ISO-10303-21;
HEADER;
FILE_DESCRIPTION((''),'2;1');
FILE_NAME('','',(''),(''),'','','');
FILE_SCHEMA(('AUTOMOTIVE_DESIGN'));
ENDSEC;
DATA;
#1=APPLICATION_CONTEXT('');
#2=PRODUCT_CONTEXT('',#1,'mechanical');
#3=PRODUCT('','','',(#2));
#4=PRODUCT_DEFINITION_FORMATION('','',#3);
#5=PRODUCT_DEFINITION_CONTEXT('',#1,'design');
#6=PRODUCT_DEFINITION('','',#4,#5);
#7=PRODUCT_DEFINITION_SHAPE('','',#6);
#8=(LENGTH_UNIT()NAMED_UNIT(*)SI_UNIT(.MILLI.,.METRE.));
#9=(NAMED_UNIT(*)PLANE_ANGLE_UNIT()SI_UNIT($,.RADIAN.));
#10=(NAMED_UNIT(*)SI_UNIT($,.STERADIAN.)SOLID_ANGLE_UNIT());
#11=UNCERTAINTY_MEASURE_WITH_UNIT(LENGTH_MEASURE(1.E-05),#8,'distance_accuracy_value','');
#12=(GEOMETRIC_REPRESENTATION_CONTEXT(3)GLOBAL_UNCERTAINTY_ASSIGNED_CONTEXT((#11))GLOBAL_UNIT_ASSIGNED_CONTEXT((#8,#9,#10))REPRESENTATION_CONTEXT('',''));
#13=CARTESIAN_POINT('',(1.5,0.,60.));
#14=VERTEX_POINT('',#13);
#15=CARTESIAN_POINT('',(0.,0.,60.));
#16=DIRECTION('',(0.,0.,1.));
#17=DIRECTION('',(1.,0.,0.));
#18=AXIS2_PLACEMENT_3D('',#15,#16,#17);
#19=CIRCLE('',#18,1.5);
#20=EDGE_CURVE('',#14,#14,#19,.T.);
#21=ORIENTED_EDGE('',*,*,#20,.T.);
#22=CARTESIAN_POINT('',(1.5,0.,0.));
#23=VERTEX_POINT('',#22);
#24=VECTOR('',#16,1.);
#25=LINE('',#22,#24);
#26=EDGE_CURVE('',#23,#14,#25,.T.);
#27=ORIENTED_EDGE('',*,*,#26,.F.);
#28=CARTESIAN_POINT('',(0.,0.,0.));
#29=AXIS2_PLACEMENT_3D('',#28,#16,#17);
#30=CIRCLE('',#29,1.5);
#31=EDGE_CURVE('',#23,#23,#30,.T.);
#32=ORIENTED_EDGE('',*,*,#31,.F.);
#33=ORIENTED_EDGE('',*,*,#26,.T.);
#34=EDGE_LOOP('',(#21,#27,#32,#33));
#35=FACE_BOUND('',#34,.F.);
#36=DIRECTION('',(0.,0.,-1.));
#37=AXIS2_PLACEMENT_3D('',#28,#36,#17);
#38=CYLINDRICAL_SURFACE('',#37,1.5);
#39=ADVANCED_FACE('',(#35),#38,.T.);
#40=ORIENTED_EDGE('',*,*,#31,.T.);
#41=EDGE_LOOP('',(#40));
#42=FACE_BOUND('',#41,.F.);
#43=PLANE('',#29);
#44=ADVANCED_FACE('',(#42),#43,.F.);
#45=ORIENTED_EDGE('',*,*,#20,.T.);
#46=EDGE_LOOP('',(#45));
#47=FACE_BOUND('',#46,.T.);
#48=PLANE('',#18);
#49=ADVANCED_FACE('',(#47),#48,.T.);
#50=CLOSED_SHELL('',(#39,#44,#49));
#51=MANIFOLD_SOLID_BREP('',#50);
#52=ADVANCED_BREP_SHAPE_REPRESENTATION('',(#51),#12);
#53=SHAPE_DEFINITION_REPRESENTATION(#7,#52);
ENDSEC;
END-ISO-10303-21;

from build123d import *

# Parameters (mm, degrees)
ESQUISSE1_R        = 1.5
BOSS_EXTRU_1_DEPTH = 60


with BuildPart() as part:
    # Esquisse1 → Boss.-Extru.1 (new body)
    with BuildSketch(Plane.XY):
        Circle(ESQUISSE1_R)
    extrude(amount=BOSS_EXTRU_1_DEPTH)


solid = part.part
